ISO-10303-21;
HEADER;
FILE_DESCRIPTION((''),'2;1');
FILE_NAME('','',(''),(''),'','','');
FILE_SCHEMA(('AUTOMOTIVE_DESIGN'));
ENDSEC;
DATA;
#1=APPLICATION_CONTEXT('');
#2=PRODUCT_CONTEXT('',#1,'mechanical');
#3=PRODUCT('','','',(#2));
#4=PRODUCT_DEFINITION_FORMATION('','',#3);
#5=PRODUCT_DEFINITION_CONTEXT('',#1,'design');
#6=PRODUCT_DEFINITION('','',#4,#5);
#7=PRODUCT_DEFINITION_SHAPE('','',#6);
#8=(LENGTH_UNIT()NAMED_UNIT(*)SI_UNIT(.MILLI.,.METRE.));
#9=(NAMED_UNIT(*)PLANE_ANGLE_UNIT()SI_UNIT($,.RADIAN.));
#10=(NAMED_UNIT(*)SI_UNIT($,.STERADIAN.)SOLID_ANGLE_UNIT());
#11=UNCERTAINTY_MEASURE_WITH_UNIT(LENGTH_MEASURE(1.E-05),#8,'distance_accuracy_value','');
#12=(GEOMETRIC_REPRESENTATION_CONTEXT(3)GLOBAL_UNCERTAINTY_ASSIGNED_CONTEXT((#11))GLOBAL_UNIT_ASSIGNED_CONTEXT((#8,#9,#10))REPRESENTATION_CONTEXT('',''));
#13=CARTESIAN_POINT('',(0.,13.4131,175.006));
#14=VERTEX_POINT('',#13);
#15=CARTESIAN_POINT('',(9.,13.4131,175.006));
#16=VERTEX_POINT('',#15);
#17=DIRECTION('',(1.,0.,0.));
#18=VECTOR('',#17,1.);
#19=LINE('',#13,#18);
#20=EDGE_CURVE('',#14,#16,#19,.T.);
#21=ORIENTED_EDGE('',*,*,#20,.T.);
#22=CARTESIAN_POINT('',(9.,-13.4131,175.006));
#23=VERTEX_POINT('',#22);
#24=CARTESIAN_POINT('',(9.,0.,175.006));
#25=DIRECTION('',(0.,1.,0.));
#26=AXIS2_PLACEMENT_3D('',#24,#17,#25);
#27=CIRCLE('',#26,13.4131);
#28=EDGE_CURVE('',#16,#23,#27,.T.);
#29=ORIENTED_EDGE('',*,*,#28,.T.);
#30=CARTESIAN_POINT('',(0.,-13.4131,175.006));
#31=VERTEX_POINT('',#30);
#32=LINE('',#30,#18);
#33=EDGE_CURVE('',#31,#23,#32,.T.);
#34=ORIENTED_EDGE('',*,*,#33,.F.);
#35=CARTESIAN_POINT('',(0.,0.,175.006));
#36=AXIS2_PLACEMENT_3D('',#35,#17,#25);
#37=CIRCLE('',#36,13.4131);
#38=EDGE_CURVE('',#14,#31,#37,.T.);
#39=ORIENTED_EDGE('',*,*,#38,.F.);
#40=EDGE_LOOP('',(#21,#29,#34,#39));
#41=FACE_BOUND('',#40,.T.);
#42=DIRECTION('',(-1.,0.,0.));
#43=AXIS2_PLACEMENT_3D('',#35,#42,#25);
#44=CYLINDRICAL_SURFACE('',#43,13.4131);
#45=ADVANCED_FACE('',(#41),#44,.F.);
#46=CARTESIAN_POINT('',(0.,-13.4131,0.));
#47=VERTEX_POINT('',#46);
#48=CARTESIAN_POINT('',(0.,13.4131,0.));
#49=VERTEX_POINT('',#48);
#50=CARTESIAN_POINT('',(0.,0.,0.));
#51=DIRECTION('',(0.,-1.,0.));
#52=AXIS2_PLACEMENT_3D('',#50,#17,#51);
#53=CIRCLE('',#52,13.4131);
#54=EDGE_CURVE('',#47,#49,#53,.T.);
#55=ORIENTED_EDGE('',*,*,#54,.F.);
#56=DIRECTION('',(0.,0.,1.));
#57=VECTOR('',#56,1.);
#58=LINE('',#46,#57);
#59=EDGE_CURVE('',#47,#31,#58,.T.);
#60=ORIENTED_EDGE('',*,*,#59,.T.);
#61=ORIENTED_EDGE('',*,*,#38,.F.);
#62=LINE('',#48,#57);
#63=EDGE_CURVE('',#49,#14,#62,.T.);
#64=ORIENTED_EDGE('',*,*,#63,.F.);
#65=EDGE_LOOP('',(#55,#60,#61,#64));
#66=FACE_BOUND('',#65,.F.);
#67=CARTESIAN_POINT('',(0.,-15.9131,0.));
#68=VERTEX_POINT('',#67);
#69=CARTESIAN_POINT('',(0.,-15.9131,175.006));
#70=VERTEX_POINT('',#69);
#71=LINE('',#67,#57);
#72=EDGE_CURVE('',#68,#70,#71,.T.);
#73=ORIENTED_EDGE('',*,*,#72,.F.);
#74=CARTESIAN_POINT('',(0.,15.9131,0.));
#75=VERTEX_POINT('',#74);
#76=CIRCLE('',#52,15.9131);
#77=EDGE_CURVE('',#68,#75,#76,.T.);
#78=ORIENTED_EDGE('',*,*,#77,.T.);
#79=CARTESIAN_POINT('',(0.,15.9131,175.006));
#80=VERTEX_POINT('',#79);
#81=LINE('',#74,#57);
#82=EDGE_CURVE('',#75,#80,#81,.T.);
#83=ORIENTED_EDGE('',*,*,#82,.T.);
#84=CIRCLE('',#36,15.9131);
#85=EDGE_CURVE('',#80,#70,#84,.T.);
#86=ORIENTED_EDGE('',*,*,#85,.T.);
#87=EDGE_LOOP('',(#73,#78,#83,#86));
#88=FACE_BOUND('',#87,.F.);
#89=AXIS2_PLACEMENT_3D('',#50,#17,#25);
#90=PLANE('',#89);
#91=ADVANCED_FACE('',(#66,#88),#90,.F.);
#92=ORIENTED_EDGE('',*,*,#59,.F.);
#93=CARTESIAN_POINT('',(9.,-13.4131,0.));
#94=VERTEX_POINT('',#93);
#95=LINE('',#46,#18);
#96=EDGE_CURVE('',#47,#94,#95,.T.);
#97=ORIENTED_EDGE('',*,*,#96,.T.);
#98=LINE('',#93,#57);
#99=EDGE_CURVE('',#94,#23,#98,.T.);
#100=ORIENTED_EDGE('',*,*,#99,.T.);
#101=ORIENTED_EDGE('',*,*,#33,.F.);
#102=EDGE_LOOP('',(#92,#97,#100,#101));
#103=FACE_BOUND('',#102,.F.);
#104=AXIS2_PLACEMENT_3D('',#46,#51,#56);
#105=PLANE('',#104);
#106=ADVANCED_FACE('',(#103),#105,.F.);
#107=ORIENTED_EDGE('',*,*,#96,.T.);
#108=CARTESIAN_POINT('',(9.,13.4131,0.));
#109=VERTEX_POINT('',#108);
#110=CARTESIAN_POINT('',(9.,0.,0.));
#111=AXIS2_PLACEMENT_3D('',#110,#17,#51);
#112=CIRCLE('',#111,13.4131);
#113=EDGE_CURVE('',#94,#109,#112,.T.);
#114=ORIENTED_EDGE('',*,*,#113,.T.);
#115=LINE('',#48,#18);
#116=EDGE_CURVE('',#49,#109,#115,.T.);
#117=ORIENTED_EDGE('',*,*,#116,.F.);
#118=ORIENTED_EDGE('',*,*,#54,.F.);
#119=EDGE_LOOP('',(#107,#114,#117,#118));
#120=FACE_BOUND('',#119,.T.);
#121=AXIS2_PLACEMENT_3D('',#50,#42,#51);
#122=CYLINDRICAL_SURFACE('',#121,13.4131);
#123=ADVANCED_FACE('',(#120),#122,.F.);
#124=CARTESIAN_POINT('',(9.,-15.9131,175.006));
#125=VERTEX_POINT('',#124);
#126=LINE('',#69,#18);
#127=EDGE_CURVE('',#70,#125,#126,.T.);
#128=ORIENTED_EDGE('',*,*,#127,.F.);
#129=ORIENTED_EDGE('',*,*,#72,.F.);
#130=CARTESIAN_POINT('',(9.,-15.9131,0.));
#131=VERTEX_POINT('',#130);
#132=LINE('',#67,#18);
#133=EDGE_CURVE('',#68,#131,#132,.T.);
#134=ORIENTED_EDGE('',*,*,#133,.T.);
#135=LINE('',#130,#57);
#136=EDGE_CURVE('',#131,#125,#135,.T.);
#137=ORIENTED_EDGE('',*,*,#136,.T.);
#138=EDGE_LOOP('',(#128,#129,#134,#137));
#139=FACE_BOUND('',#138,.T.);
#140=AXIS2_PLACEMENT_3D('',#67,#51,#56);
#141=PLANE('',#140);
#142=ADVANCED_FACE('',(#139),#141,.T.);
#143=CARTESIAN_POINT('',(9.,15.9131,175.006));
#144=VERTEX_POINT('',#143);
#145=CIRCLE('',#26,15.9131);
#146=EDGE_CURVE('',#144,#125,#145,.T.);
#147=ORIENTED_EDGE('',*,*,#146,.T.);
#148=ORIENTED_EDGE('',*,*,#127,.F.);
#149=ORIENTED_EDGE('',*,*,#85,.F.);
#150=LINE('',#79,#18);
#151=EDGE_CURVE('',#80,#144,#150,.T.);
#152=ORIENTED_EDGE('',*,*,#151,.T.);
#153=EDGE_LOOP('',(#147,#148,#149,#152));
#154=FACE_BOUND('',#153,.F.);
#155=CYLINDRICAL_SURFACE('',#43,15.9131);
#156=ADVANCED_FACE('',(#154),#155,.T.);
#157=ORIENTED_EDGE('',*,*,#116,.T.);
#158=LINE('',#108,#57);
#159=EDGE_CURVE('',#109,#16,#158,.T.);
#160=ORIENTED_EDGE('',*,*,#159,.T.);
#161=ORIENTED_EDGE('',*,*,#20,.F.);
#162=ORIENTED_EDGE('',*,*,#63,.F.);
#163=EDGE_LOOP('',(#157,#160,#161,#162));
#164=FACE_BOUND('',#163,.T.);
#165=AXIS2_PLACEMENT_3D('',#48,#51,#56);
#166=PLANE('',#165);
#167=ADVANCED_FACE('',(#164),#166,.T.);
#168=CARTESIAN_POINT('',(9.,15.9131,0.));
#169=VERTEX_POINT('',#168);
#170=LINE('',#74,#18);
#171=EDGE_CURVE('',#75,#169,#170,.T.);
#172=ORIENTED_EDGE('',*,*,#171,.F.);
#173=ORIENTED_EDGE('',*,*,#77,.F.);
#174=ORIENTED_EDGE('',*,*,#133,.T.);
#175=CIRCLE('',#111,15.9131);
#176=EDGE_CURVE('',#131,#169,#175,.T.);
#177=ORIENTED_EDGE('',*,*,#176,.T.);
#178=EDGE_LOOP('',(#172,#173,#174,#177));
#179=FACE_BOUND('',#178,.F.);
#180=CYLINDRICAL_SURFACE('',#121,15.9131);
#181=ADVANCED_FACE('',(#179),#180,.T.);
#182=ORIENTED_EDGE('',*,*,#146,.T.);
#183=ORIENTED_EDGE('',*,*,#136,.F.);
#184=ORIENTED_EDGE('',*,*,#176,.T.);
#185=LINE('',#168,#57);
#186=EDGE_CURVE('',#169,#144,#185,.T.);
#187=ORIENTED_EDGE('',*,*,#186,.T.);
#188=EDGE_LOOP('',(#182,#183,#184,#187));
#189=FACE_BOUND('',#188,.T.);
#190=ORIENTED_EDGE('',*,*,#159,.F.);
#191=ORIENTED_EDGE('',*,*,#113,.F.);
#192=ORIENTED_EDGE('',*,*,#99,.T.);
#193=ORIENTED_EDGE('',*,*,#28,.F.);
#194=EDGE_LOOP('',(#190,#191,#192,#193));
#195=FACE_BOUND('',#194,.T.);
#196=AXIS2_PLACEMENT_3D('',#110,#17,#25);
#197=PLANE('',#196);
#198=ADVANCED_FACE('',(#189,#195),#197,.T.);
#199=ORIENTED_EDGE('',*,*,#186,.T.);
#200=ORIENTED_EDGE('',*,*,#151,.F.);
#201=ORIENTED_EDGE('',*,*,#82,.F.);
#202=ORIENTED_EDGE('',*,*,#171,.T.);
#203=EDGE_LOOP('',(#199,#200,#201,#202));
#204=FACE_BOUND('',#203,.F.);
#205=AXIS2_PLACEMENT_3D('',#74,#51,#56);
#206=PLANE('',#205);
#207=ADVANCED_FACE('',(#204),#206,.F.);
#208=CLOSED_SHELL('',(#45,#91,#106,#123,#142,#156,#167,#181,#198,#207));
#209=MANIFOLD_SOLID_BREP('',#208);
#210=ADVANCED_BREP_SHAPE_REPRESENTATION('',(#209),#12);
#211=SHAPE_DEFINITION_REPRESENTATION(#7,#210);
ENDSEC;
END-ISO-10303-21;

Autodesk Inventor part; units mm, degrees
ref_plane "YZ Plane" through (0, 0, 0) normal (1, 0, 0) x (0, 1, 0)
ref_plane "XZ Plane" through (0, 0, 0) normal (0, 1, 0) x (-1, 0, 0)
ref_plane "XY Plane" through (0, 0, 0) normal (0, 0, 1) x (1, 0, 0)
sketch "Sketch1" plane through (0, 0, 0) normal (1, 0, 0) x (0, 1, 0)
  arc A0 (-13.4131, 0) -> (13.4131, 0) centre (0, 0) ccw
  arc A1 (-15.9131, 0) -> (15.9131, 0) centre (0, 0) ccw
  arc A2 (13.4131, 175.006) -> (-13.4131, 175.006) centre (0, 175.006) ccw
  arc A3 (15.9131, 175.006) -> (-15.9131, 175.006) centre (0, 175.006) ccw
  line L0 (13.4131, 0) -> (13.4131, 175.006)
  line L1 (-13.4131, 0) -> (-13.4131, 175.006)
  line L2 (15.9131, 0) -> (15.9131, 175.006)
  line L3 (-15.9131, 0) -> (-15.9131, 175.006)
  dimension "d0" = 2.5
  dimension "d2" = 175.006
  dimension "d5" = 13.4131
extrude "Extrusion1" add sketch "Sketch1" along normal blind 9
properties part number "STANDIN,130T,HTD5mm,BELT" material "Nylon 6/6"
